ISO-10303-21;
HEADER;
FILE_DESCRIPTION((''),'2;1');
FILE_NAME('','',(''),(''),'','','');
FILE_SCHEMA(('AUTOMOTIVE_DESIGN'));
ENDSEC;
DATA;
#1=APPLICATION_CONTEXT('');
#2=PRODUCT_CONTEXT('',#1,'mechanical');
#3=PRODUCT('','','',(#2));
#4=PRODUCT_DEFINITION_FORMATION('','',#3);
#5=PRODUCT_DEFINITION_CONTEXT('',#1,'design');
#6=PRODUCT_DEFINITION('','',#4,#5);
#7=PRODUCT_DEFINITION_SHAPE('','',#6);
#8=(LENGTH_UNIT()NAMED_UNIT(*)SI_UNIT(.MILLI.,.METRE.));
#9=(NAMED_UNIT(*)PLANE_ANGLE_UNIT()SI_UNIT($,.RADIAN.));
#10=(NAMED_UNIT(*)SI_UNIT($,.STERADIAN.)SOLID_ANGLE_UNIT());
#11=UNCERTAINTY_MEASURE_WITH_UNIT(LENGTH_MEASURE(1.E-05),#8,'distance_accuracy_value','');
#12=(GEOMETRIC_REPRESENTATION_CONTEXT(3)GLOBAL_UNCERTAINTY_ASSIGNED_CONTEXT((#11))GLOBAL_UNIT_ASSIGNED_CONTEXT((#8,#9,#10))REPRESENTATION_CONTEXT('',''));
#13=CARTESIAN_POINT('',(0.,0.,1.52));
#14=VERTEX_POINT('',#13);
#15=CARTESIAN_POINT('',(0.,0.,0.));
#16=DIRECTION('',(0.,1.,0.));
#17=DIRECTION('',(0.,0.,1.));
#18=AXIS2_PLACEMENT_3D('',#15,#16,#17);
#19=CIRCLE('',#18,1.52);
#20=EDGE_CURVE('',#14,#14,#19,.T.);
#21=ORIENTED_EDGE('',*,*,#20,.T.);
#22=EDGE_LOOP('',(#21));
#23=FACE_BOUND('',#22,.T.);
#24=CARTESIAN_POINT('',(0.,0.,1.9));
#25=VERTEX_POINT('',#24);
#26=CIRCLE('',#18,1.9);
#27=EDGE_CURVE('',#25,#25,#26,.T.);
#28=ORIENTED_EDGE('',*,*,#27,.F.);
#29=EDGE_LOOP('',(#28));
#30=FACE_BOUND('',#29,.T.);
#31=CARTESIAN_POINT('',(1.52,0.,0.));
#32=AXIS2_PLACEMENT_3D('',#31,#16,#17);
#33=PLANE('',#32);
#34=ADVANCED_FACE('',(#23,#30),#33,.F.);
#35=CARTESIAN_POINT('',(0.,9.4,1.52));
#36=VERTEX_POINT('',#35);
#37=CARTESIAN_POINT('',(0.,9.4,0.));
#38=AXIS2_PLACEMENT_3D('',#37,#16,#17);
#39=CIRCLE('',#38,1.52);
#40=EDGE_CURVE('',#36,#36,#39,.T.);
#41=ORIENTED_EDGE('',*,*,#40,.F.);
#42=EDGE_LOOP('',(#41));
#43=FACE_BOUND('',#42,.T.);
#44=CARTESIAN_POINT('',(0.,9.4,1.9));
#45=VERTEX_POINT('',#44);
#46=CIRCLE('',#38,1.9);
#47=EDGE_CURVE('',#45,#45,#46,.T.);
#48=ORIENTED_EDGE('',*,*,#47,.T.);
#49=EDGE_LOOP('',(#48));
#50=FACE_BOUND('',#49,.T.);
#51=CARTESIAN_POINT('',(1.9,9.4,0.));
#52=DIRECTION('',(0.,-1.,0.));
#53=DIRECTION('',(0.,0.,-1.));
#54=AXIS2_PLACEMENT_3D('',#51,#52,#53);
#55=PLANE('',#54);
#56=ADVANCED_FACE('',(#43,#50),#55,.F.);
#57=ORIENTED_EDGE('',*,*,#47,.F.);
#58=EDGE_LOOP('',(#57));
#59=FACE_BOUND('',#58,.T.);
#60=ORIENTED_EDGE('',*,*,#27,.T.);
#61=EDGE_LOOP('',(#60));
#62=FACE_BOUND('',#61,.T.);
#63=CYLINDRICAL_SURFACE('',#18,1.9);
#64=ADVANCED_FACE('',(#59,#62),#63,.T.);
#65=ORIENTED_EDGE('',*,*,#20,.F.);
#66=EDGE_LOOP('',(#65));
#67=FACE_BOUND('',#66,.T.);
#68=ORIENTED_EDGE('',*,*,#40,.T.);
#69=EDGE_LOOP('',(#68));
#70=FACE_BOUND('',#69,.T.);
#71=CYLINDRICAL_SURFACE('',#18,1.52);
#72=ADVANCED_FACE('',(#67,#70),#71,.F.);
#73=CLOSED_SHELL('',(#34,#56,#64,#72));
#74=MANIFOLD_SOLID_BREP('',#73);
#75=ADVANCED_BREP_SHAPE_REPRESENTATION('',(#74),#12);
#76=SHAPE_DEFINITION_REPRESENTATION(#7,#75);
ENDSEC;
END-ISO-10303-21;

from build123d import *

# Parameters (mm, degrees)
SKETCH1_W = 0.38
SKETCH1_H = 9.4


with BuildPart() as part:
    # Sketch1 → Revolve1 (revolve)
    with BuildSketch(Plane.XY, mode=Mode.PRIVATE) as revolve1_sk:
        with Locations((1.71, 4.7)):
            Rectangle(SKETCH1_W, SKETCH1_H)
    revolve(revolve1_sk.sketch.rotate(Axis((0, 0, 0), (0, 1, 0)), 270), axis=Axis((0, 0, 0), (0, 1, 0)))


solid = part.part
